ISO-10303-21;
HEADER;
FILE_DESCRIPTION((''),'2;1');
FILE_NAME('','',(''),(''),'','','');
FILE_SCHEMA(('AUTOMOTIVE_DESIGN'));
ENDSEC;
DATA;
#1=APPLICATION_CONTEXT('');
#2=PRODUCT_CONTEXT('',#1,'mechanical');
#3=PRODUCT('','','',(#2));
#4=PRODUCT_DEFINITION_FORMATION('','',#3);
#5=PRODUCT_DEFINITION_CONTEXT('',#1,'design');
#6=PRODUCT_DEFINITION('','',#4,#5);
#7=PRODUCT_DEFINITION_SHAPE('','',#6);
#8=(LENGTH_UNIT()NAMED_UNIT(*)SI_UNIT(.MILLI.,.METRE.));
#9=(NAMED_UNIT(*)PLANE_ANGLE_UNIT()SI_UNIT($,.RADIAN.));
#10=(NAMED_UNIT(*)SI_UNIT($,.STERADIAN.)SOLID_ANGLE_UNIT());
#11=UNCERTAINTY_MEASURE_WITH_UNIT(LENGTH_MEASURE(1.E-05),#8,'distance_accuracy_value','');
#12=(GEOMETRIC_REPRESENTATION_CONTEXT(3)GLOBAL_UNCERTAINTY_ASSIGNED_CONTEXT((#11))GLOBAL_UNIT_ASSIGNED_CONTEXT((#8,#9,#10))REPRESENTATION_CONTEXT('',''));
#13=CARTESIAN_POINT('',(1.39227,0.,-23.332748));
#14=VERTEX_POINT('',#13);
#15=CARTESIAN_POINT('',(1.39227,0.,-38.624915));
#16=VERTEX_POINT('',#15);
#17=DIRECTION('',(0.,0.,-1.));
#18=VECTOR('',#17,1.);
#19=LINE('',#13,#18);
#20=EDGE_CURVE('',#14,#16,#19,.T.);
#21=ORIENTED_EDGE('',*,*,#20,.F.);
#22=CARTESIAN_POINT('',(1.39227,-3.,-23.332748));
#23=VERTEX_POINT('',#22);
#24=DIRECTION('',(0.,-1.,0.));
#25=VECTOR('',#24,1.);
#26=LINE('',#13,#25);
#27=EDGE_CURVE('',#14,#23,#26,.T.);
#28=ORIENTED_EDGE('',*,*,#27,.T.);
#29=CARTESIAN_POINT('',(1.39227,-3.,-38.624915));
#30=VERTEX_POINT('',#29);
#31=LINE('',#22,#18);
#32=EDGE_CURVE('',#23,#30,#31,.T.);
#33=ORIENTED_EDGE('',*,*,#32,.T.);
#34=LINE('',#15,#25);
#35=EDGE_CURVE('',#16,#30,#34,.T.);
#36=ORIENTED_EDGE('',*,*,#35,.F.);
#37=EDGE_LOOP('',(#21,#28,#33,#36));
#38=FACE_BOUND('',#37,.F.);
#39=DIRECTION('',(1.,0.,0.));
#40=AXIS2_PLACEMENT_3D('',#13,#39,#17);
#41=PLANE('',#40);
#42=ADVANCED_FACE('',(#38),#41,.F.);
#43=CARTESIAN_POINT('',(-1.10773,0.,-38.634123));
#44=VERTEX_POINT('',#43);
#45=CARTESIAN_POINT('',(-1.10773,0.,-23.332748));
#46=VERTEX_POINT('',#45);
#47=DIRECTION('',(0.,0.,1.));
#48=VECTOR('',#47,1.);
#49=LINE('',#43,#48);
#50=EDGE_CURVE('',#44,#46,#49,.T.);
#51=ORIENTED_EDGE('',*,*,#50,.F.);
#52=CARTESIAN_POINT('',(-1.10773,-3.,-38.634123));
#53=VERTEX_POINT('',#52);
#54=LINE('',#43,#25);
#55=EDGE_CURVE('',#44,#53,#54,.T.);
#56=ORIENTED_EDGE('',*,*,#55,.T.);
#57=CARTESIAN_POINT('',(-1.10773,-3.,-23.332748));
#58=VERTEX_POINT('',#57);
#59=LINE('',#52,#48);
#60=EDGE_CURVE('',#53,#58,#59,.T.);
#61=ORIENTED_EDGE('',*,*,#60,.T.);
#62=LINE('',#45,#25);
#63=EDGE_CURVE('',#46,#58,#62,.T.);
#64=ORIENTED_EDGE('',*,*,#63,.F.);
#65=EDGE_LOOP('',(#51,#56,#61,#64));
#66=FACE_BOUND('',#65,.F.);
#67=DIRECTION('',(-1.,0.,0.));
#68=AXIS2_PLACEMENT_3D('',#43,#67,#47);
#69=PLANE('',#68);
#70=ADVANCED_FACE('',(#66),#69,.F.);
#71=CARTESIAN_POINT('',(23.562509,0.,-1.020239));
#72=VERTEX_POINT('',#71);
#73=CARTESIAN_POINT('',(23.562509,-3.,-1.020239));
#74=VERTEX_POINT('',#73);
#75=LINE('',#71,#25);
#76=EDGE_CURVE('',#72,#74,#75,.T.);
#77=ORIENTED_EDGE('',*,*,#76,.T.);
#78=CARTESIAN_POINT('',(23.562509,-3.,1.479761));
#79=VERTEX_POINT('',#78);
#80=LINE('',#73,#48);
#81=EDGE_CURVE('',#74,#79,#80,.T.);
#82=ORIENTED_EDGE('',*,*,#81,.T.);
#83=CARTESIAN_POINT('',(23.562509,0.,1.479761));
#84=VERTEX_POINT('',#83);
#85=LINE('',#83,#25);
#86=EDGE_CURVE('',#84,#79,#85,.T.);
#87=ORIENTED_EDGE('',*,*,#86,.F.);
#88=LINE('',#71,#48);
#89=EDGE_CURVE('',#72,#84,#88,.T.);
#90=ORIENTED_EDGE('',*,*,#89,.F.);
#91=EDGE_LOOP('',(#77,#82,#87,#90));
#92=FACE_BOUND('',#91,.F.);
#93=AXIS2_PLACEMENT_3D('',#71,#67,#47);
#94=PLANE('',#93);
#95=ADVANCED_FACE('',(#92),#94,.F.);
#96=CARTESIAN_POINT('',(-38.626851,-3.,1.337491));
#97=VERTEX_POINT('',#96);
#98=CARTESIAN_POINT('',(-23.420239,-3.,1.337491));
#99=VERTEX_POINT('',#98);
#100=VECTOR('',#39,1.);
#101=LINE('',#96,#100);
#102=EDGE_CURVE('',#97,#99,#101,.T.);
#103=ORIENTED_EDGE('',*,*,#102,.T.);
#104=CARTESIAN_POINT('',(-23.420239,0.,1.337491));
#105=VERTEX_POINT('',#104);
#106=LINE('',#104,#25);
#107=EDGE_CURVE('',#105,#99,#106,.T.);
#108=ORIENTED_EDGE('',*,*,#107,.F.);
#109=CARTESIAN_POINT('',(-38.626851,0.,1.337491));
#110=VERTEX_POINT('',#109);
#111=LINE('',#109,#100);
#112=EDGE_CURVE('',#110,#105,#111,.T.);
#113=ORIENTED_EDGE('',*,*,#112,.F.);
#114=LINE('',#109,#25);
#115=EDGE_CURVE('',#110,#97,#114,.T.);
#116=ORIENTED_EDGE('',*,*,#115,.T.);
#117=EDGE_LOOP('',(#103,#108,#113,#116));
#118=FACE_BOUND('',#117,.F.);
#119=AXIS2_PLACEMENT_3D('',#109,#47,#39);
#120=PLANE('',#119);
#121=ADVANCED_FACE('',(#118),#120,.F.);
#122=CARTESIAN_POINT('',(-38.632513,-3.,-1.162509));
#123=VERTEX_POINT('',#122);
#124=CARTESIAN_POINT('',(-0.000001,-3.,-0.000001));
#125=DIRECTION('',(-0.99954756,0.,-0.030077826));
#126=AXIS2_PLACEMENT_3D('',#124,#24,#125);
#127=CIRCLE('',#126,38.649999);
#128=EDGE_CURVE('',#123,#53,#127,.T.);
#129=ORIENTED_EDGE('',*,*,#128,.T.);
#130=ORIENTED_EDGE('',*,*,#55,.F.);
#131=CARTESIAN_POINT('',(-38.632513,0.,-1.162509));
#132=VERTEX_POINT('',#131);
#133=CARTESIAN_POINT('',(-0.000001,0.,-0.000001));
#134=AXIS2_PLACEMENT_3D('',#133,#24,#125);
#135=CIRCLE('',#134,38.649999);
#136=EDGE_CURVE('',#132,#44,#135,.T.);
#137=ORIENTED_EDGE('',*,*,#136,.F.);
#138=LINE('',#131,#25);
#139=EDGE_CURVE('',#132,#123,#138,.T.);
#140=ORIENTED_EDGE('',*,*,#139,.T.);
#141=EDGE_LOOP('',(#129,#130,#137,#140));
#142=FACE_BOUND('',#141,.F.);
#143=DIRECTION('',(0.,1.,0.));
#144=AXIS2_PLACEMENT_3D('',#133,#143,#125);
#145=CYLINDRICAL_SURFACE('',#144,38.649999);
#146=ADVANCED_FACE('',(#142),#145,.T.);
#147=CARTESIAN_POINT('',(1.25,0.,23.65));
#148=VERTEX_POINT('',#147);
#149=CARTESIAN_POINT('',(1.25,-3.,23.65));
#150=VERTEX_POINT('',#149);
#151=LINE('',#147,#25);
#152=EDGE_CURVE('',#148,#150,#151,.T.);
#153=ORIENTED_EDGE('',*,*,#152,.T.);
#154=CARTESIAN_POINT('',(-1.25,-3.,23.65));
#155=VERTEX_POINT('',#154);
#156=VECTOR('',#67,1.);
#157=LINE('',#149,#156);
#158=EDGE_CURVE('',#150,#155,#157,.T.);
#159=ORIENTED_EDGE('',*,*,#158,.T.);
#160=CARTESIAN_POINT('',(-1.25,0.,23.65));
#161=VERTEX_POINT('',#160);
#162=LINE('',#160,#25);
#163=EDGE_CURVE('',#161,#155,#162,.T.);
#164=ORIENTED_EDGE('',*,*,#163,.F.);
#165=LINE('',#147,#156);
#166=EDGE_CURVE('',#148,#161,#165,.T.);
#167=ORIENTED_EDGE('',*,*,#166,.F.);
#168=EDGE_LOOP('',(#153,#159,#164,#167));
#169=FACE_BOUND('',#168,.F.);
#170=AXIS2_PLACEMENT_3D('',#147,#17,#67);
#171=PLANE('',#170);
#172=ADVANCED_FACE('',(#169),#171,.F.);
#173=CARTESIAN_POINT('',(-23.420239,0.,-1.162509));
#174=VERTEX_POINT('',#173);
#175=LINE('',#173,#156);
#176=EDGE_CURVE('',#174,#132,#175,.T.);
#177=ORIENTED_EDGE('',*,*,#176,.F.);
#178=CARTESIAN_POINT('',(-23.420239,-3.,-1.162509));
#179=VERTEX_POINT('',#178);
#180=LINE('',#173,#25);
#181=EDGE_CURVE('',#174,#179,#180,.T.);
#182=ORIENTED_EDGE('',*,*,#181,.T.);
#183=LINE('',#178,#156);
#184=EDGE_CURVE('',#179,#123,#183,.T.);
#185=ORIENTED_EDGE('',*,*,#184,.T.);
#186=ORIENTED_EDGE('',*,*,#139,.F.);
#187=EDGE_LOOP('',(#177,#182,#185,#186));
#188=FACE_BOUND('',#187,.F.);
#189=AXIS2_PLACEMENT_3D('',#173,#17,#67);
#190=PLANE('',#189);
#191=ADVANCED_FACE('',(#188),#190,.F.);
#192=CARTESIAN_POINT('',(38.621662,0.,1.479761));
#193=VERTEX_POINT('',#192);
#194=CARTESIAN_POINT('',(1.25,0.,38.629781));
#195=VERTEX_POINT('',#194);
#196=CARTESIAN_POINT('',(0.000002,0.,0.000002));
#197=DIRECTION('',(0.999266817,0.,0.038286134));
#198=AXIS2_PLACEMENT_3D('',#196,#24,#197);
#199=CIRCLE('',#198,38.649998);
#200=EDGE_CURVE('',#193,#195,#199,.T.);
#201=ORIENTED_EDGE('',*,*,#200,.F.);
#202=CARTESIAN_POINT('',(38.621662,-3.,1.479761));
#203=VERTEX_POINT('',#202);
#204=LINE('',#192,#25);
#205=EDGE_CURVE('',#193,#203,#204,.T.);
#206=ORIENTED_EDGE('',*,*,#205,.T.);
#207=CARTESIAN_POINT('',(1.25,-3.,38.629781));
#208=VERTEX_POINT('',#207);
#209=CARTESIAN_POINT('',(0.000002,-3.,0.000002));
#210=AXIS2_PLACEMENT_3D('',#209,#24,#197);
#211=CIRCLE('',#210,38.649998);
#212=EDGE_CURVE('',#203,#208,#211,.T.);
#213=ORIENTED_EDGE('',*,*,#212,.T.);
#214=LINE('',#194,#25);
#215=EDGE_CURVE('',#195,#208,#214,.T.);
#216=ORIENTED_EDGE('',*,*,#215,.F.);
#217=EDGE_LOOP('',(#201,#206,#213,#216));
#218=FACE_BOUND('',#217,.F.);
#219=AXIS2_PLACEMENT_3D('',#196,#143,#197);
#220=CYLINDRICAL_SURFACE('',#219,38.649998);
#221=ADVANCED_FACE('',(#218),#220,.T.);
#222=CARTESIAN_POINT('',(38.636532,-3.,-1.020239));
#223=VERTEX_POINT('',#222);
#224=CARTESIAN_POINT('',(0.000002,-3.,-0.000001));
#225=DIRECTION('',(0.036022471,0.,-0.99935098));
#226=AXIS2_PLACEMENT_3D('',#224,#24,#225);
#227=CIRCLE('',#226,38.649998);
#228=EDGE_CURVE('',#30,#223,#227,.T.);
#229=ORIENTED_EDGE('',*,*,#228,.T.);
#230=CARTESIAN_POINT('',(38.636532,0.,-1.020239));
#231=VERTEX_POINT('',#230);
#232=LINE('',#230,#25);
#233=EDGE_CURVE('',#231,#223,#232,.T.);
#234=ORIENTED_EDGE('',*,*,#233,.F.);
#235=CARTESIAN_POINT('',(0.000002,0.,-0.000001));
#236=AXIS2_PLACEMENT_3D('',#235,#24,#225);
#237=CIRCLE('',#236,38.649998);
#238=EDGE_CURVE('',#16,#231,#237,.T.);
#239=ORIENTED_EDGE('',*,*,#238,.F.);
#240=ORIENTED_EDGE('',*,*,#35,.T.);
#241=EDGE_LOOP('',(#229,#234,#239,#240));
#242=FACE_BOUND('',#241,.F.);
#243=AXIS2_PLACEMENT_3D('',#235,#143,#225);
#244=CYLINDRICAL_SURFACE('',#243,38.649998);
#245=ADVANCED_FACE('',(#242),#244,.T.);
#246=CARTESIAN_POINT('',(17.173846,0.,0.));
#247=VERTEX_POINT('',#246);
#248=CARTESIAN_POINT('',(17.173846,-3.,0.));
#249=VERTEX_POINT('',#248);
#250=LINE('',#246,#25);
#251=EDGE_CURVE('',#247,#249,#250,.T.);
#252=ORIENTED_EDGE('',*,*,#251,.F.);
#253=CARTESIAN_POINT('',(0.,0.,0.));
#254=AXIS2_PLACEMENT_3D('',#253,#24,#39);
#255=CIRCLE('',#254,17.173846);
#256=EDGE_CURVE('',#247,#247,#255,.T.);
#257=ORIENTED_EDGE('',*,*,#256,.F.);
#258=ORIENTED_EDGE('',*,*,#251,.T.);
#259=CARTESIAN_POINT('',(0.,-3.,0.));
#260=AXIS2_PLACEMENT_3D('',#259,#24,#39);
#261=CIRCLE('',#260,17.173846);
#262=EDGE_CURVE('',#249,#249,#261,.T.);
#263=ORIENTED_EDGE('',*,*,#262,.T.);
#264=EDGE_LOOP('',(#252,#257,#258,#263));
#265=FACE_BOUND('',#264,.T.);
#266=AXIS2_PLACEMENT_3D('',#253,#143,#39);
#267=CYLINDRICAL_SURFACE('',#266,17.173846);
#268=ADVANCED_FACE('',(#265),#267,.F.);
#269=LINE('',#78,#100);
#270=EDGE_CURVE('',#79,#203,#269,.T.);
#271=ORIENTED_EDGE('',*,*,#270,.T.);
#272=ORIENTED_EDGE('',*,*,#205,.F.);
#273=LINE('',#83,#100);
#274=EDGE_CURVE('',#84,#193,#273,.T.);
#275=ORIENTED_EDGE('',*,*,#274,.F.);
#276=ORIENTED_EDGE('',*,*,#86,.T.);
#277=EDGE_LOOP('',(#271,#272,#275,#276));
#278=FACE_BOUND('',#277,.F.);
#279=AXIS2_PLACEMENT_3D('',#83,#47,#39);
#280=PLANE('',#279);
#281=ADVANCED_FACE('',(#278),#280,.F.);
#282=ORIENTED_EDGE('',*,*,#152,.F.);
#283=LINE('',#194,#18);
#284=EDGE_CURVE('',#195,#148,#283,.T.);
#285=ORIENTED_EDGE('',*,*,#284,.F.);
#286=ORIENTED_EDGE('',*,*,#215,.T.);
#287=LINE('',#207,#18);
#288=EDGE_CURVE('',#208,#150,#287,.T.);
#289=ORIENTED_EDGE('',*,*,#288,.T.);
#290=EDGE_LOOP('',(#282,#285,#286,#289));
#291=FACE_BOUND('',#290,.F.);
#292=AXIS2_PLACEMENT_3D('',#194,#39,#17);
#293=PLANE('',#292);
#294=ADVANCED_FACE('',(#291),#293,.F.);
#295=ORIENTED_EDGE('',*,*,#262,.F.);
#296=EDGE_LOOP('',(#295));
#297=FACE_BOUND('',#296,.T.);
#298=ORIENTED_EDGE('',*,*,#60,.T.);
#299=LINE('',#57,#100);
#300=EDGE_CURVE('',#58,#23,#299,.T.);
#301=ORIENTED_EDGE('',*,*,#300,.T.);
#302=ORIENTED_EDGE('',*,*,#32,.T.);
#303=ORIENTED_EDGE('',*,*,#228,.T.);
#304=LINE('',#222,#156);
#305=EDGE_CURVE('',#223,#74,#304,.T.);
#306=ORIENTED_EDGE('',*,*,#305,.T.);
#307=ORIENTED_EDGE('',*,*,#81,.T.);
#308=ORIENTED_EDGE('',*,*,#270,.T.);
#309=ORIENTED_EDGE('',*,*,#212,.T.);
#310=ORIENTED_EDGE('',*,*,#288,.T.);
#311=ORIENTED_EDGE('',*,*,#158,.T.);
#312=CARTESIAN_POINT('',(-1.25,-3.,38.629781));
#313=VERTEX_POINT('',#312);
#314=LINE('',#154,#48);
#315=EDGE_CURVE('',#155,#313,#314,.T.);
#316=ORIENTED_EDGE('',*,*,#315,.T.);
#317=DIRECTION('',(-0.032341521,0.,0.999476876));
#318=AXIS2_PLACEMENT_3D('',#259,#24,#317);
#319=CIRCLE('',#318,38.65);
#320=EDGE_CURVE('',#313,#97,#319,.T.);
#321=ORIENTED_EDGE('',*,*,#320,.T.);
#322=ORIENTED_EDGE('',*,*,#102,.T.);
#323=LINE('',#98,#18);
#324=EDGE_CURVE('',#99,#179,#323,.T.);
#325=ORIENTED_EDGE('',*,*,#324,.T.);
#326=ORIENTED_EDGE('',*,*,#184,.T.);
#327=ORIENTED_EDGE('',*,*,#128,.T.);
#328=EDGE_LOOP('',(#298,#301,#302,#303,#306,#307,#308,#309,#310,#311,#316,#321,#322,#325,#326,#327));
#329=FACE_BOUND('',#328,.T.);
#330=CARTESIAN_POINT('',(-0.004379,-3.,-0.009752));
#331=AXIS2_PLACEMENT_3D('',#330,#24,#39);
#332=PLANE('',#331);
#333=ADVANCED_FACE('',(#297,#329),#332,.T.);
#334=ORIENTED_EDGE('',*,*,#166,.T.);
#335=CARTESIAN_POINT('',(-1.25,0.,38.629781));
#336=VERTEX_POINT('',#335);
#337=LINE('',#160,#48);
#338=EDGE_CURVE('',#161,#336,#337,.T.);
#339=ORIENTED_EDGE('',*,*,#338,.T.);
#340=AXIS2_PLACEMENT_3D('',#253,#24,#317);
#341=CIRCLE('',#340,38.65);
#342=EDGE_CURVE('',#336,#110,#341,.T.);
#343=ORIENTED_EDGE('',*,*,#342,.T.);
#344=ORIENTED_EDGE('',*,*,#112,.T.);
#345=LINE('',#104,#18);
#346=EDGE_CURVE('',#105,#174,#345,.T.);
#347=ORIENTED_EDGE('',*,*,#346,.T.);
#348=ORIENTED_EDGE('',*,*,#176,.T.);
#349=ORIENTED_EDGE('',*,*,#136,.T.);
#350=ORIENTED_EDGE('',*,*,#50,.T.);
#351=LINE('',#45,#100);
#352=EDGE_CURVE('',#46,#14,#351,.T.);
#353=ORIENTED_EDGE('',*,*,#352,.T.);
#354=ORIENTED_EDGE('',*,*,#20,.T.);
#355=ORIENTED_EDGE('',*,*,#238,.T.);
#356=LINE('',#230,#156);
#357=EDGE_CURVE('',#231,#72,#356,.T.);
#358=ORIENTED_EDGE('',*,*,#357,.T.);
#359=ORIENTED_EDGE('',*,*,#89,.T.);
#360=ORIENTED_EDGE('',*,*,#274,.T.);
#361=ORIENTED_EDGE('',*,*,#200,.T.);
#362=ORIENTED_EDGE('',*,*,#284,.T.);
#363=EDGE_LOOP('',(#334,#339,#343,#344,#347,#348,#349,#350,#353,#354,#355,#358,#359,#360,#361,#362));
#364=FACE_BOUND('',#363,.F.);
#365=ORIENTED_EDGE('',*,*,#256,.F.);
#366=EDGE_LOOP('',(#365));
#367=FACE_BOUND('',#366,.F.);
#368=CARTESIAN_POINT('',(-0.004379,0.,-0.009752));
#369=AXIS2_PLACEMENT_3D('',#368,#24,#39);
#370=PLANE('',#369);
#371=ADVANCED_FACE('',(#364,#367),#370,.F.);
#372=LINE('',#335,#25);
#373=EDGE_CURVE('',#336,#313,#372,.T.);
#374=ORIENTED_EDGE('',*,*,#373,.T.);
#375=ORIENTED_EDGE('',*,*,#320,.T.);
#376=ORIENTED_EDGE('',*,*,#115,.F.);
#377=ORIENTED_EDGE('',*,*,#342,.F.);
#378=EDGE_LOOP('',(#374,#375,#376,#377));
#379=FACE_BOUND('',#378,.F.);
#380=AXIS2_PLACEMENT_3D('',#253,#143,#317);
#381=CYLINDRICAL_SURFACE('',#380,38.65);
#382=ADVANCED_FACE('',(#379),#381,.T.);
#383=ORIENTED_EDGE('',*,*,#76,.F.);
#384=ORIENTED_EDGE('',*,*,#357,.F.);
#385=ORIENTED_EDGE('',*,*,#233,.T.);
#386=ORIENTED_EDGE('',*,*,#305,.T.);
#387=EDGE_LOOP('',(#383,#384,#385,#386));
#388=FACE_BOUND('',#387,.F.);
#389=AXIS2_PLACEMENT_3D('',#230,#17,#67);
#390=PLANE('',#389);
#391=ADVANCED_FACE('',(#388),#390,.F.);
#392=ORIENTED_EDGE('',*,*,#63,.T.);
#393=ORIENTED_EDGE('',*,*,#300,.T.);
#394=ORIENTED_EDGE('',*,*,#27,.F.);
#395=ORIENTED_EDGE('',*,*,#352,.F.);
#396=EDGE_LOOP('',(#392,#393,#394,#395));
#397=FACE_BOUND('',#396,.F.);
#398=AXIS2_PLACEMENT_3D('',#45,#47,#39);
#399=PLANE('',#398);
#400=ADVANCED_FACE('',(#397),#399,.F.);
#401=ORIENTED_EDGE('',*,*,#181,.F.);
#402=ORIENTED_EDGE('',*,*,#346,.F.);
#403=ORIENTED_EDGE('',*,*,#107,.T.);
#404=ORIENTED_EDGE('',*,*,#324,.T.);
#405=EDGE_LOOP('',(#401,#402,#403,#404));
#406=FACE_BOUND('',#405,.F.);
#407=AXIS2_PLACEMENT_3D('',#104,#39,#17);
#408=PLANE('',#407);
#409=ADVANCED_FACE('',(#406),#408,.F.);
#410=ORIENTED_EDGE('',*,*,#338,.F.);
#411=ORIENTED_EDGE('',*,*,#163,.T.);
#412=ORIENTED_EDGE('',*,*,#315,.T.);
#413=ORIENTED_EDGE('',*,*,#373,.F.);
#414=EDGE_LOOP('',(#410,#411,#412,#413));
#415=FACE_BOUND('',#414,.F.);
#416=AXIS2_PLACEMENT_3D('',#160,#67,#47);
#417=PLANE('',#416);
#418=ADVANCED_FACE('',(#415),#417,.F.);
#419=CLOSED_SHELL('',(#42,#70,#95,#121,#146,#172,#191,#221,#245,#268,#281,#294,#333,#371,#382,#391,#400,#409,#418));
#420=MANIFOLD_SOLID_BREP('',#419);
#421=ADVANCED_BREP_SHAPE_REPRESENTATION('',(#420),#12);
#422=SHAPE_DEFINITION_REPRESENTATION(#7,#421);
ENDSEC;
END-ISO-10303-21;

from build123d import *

# Parameters (mm, degrees)
F0_R     = 17.173846
F1_DEPTH = 3


with BuildPart() as f1:
    # F0 (on Front) → F1 (new body)
    with BuildSketch(Plane.XZ):
        with BuildLine():
            Line((23.562509, 1.479761), (38.621662, 1.479761))
            ThreePointArc((38.621662, 1.479761), (27.248273, 27.41084), (1.25, 38.629781))
            Line((1.25, 38.629781), (1.25, 23.65))
            Line((1.25, 23.65), (-1.25, 23.65))
            Line((-1.25, 23.65), (-1.25, 38.629781))
            ThreePointArc((-1.25, 38.629781), (-27.298709, 27.36061), (-38.626851, 1.337491))
            Line((-38.626851, 1.337491), (-23.420239, 1.337491))
            Line((-23.420239, 1.337491), (-23.420239, -1.162509))
            Line((-23.420239, -1.162509), (-38.632513, -1.162509))
            ThreePointArc((-38.632513, -1.162509), (-27.310295, -27.349046), (-1.10773, -38.634123))
            Line((-1.10773, -38.634123), (-1.10773, -23.332748))
            Line((-1.10773, -23.332748), (1.39227, -23.332748))
            Line((1.39227, -23.332748), (1.39227, -38.624915))
            ThreePointArc((1.39227, -38.624915), (27.460957, -27.197764), (38.636532, -1.020239))
            Line((38.636532, -1.020239), (23.562509, -1.020239))
            Line((23.562509, -1.020239), (23.562509, 1.479761))
        make_face()
        Circle(F0_R, mode=Mode.SUBTRACT)
    extrude(amount=F1_DEPTH)


solid = f1.part
